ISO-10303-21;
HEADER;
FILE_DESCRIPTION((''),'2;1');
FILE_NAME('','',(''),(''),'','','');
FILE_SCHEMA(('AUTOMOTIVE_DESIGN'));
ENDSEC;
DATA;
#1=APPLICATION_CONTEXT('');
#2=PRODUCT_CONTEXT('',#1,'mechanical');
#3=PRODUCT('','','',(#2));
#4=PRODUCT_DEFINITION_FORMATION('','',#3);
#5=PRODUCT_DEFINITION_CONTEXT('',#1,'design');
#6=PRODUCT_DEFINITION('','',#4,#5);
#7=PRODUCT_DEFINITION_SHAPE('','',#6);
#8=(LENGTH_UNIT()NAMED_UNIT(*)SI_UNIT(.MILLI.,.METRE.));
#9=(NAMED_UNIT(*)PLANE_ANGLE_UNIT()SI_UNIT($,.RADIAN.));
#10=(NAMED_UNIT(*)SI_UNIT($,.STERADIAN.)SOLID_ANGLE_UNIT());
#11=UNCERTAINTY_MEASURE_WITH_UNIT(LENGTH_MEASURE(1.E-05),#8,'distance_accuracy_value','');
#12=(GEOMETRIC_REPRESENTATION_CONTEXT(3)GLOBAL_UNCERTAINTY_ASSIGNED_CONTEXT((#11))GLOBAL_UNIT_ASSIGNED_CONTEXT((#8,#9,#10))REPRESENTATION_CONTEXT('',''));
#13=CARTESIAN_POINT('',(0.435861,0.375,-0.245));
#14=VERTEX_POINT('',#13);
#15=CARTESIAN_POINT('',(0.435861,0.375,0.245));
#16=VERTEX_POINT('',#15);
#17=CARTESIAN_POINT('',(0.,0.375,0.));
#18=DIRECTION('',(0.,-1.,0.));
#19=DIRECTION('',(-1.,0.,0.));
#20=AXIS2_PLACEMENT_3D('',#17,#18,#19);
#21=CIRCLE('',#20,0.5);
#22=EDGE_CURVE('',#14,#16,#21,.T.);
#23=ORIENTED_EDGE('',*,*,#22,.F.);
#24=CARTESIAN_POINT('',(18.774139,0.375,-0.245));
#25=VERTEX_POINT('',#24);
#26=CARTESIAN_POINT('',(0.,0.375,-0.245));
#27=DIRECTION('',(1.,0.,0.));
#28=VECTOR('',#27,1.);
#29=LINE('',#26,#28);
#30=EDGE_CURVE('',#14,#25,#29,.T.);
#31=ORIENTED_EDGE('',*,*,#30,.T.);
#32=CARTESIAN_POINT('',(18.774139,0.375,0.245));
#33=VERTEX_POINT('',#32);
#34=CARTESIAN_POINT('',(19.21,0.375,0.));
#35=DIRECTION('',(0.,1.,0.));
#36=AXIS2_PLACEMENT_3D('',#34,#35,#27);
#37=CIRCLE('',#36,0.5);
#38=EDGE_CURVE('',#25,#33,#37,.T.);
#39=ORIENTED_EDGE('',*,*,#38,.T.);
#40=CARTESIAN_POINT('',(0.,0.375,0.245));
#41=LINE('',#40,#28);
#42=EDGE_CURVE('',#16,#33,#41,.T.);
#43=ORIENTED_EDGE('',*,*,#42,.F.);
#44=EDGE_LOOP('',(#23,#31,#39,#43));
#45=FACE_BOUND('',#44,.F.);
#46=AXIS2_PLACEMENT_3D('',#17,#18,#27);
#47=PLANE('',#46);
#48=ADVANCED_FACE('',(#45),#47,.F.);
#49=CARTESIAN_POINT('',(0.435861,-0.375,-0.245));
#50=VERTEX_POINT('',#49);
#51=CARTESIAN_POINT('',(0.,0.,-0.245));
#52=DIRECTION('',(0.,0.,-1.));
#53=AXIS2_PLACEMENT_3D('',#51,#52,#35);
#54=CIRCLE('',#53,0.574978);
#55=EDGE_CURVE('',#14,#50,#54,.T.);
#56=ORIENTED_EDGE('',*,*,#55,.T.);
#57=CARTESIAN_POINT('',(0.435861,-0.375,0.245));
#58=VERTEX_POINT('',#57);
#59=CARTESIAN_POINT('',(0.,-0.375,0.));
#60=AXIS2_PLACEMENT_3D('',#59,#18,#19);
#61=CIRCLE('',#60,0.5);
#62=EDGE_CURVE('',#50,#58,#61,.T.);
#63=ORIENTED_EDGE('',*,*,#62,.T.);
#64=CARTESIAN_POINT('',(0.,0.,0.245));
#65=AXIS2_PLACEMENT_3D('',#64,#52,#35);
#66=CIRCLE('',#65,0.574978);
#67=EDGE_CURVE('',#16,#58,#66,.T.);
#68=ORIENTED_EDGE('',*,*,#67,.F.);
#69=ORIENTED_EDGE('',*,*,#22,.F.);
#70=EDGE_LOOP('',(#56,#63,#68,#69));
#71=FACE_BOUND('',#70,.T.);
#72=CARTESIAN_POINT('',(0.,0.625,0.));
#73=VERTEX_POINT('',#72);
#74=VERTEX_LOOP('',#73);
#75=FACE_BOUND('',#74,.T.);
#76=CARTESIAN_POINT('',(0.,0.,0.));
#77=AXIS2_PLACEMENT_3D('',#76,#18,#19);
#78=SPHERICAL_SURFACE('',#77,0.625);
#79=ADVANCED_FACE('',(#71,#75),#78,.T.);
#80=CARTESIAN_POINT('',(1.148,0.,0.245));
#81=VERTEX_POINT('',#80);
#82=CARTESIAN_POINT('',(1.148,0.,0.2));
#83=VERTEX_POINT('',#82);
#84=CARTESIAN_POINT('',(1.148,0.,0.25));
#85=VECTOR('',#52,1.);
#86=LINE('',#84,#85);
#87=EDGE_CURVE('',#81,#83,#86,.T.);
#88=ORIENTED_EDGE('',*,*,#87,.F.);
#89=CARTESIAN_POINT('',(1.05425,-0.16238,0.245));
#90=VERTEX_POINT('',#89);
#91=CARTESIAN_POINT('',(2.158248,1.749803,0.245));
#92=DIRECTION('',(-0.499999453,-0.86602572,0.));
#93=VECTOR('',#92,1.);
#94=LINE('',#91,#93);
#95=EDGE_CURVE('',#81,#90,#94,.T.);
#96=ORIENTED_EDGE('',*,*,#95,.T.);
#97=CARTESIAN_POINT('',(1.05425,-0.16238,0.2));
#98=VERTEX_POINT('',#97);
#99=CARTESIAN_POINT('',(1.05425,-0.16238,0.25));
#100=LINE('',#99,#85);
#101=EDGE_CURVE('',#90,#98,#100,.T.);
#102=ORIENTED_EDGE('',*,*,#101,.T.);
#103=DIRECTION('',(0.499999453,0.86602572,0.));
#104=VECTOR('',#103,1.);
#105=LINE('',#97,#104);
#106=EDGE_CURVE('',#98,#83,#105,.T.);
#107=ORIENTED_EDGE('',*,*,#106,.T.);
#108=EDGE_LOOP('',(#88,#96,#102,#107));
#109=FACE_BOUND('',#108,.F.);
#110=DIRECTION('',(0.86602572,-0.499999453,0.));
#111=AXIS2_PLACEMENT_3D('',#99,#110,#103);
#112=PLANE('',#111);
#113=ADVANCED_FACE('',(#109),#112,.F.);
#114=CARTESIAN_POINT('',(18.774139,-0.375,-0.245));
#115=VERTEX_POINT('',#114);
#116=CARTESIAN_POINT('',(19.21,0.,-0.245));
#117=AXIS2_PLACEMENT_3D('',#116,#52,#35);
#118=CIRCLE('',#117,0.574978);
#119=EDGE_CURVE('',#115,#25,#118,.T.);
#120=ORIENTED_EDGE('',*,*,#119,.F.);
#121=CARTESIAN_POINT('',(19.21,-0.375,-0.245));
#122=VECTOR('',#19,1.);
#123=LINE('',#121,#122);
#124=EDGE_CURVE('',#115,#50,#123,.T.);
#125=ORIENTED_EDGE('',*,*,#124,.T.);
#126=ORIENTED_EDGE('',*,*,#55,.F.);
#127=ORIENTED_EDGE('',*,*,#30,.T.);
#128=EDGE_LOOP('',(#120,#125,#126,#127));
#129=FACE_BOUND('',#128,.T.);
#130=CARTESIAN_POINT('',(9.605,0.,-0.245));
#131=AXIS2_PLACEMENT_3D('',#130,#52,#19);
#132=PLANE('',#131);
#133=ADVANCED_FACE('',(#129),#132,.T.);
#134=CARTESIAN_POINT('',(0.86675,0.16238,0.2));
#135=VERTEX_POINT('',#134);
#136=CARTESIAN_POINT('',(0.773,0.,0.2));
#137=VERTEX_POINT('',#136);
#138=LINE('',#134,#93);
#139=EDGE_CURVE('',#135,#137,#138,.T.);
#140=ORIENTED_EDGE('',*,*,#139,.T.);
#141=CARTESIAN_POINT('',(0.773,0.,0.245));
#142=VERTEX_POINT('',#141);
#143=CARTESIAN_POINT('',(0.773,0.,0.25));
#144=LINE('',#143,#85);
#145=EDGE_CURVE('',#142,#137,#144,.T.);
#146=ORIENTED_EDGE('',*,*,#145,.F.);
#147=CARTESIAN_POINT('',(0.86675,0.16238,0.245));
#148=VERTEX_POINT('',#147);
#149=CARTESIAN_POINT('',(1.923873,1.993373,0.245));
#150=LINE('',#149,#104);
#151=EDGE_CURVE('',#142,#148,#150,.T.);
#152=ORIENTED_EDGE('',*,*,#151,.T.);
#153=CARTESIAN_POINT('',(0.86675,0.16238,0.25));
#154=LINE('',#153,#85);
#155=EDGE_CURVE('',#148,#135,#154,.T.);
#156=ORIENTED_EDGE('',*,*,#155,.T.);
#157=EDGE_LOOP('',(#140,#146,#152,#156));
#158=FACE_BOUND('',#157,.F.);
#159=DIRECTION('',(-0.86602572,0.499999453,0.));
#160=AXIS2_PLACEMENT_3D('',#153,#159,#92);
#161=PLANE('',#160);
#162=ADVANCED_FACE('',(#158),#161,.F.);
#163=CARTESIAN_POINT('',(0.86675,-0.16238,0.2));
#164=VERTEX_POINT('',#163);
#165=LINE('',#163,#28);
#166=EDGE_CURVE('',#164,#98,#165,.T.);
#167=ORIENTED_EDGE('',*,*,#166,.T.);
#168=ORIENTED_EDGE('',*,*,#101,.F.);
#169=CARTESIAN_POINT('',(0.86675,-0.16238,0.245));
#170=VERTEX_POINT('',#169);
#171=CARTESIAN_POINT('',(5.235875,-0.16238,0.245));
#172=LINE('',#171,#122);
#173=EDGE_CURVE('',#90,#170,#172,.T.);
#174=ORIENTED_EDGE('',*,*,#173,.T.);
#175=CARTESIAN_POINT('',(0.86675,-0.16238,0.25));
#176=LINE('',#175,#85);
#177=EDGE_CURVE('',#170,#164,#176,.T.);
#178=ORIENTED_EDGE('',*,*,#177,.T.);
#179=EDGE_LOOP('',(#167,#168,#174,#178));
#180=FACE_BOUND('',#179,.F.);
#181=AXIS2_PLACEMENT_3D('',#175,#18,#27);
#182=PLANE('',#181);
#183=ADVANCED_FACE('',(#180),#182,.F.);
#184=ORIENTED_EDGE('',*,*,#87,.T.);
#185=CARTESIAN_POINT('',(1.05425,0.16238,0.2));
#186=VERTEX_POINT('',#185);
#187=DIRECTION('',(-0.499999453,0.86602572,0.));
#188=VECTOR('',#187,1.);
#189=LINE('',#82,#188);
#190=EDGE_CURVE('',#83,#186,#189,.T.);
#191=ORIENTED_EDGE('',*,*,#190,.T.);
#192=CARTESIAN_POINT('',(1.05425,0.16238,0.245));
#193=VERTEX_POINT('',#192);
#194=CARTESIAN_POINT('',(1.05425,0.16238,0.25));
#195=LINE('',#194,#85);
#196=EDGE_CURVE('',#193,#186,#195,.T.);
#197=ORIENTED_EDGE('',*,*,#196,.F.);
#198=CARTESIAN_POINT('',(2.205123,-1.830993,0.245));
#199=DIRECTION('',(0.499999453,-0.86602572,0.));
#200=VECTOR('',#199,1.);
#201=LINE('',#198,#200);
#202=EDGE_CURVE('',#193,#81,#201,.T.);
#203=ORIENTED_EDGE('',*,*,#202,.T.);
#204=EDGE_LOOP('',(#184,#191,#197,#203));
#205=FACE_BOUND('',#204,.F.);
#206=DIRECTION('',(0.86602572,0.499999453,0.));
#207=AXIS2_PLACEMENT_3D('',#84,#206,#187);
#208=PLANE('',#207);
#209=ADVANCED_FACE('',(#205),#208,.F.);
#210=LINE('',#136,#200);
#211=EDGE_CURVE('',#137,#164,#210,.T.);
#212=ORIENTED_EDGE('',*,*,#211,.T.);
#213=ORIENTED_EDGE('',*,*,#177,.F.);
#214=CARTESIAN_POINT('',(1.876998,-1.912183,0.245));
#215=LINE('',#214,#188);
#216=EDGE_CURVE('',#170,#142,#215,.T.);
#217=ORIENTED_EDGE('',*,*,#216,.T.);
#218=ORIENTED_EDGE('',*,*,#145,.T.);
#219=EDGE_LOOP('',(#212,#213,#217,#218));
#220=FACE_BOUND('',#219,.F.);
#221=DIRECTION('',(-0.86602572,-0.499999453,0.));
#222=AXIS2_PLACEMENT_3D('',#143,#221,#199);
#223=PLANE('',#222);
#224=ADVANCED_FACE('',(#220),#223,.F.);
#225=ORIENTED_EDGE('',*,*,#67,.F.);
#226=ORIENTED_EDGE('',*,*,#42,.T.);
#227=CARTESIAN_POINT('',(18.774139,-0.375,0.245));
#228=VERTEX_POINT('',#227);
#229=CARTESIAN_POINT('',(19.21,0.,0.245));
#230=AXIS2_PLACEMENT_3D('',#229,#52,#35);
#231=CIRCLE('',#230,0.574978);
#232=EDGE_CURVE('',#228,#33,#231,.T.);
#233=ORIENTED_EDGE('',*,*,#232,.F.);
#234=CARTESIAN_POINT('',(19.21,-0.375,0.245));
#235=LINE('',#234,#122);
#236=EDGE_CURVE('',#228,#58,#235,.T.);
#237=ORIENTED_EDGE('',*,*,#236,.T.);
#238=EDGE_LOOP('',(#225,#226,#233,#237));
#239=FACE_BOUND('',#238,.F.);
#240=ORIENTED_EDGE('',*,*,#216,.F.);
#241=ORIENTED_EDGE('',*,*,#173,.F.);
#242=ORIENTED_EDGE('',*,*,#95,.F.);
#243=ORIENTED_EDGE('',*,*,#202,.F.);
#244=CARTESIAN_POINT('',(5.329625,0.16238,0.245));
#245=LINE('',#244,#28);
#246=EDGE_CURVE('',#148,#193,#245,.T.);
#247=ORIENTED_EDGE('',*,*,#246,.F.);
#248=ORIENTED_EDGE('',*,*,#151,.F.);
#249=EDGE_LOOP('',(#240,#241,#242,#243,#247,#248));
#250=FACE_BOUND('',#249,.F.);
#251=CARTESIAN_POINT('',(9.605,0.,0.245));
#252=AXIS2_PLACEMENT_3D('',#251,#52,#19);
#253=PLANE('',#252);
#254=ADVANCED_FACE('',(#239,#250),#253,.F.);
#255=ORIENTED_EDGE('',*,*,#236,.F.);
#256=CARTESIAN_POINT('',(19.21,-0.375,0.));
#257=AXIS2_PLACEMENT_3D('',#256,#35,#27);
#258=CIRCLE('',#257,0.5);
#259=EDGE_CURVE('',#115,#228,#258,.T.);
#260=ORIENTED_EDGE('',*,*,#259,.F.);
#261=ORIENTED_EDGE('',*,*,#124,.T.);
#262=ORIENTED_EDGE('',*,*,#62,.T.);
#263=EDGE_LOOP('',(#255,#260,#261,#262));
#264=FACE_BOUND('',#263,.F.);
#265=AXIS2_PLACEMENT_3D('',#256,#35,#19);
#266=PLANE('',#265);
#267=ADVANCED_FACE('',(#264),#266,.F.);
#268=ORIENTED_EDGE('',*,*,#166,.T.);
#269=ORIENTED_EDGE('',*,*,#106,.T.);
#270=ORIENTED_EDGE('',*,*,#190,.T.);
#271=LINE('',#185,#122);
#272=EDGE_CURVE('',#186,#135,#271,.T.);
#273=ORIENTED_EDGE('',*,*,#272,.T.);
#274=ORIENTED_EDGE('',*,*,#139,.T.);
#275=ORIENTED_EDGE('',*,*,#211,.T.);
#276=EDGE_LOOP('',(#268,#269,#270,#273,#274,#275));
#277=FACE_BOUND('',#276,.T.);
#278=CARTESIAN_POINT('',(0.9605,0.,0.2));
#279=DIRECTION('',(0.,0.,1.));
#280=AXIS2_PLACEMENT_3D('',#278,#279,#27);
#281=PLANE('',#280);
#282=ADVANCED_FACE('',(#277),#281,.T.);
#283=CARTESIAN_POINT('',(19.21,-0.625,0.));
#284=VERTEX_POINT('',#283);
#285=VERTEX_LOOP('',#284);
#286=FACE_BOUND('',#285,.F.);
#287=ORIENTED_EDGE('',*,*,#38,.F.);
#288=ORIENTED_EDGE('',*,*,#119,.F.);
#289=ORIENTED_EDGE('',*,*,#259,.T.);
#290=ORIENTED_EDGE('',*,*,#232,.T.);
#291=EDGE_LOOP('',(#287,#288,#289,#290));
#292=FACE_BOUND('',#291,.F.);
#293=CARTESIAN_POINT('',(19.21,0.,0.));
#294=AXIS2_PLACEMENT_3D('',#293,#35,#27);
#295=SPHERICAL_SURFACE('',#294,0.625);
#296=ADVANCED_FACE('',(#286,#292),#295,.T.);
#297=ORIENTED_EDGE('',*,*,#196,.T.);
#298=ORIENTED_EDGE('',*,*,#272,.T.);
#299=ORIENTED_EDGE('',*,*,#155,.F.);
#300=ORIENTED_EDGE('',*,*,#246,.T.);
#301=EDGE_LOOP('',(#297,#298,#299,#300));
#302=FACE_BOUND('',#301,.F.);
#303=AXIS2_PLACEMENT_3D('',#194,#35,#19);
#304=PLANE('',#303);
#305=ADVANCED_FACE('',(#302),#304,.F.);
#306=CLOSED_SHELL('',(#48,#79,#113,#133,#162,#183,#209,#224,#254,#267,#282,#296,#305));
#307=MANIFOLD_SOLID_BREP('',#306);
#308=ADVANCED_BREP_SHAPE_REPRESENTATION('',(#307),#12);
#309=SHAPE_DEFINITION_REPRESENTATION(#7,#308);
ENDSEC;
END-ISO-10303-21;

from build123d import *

# Parameters (mm, degrees)
PAD_DEPTH    = 0.245
POCKET_DEPTH = 0.05


with BuildPart() as part:
    # Sketch → Pad (new body, symmetric)
    with BuildSketch(Plane.XY):
        with BuildLine():
            Line((0, 0.375), (19.21, 0.375))
            ThreePointArc((19.21, -0.375), (19.585, 0), (19.21, 0.375))
            Line((19.21, -0.375), (0, -0.375))
            ThreePointArc((0, 0.375), (-0.375, 0), (0, -0.375))
        make_face()
    extrude(amount=PAD_DEPTH, both=True)

    # Sketch001 → Revolution (revolve)
    with BuildSketch(Plane.XY):
        with BuildLine():
            Line((0, 0.625), (0, 0))
            Line((0, 0), (0, -0.625))
            ThreePointArc((0, 0.625), (-0.625, 0), (0, -0.625))
        make_face()
    revolve(axis=Axis((0, 0, 0), (0, -1, 0)))

    # Sketch002 → Revolution001 (revolve)
    with BuildSketch(Plane.XY):
        with BuildLine():
            ThreePointArc((19.21, -0.625), (19.835, 0), (19.21, 0.625))
            Line((19.21, 0.625), (19.21, 0))
            Line((19.21, 0), (19.21, -0.625))
        make_face()
    revolve(axis=Axis((19.21, 0, 0), (0, -1, 0)))

    # Sketch003 (on DatumPlane) → Pocket (cut)
    with BuildSketch(Plane.XY.offset(0.25)):
        Polygon((1.05425, -0.16238), (1.148, 0), (1.05425, 0.16238), (0.86675, 0.16238), (0.773, 0), (0.86675, -0.16238), align=None)
    extrude(amount=-POCKET_DEPTH, mode=Mode.SUBTRACT)


solid = part.part
